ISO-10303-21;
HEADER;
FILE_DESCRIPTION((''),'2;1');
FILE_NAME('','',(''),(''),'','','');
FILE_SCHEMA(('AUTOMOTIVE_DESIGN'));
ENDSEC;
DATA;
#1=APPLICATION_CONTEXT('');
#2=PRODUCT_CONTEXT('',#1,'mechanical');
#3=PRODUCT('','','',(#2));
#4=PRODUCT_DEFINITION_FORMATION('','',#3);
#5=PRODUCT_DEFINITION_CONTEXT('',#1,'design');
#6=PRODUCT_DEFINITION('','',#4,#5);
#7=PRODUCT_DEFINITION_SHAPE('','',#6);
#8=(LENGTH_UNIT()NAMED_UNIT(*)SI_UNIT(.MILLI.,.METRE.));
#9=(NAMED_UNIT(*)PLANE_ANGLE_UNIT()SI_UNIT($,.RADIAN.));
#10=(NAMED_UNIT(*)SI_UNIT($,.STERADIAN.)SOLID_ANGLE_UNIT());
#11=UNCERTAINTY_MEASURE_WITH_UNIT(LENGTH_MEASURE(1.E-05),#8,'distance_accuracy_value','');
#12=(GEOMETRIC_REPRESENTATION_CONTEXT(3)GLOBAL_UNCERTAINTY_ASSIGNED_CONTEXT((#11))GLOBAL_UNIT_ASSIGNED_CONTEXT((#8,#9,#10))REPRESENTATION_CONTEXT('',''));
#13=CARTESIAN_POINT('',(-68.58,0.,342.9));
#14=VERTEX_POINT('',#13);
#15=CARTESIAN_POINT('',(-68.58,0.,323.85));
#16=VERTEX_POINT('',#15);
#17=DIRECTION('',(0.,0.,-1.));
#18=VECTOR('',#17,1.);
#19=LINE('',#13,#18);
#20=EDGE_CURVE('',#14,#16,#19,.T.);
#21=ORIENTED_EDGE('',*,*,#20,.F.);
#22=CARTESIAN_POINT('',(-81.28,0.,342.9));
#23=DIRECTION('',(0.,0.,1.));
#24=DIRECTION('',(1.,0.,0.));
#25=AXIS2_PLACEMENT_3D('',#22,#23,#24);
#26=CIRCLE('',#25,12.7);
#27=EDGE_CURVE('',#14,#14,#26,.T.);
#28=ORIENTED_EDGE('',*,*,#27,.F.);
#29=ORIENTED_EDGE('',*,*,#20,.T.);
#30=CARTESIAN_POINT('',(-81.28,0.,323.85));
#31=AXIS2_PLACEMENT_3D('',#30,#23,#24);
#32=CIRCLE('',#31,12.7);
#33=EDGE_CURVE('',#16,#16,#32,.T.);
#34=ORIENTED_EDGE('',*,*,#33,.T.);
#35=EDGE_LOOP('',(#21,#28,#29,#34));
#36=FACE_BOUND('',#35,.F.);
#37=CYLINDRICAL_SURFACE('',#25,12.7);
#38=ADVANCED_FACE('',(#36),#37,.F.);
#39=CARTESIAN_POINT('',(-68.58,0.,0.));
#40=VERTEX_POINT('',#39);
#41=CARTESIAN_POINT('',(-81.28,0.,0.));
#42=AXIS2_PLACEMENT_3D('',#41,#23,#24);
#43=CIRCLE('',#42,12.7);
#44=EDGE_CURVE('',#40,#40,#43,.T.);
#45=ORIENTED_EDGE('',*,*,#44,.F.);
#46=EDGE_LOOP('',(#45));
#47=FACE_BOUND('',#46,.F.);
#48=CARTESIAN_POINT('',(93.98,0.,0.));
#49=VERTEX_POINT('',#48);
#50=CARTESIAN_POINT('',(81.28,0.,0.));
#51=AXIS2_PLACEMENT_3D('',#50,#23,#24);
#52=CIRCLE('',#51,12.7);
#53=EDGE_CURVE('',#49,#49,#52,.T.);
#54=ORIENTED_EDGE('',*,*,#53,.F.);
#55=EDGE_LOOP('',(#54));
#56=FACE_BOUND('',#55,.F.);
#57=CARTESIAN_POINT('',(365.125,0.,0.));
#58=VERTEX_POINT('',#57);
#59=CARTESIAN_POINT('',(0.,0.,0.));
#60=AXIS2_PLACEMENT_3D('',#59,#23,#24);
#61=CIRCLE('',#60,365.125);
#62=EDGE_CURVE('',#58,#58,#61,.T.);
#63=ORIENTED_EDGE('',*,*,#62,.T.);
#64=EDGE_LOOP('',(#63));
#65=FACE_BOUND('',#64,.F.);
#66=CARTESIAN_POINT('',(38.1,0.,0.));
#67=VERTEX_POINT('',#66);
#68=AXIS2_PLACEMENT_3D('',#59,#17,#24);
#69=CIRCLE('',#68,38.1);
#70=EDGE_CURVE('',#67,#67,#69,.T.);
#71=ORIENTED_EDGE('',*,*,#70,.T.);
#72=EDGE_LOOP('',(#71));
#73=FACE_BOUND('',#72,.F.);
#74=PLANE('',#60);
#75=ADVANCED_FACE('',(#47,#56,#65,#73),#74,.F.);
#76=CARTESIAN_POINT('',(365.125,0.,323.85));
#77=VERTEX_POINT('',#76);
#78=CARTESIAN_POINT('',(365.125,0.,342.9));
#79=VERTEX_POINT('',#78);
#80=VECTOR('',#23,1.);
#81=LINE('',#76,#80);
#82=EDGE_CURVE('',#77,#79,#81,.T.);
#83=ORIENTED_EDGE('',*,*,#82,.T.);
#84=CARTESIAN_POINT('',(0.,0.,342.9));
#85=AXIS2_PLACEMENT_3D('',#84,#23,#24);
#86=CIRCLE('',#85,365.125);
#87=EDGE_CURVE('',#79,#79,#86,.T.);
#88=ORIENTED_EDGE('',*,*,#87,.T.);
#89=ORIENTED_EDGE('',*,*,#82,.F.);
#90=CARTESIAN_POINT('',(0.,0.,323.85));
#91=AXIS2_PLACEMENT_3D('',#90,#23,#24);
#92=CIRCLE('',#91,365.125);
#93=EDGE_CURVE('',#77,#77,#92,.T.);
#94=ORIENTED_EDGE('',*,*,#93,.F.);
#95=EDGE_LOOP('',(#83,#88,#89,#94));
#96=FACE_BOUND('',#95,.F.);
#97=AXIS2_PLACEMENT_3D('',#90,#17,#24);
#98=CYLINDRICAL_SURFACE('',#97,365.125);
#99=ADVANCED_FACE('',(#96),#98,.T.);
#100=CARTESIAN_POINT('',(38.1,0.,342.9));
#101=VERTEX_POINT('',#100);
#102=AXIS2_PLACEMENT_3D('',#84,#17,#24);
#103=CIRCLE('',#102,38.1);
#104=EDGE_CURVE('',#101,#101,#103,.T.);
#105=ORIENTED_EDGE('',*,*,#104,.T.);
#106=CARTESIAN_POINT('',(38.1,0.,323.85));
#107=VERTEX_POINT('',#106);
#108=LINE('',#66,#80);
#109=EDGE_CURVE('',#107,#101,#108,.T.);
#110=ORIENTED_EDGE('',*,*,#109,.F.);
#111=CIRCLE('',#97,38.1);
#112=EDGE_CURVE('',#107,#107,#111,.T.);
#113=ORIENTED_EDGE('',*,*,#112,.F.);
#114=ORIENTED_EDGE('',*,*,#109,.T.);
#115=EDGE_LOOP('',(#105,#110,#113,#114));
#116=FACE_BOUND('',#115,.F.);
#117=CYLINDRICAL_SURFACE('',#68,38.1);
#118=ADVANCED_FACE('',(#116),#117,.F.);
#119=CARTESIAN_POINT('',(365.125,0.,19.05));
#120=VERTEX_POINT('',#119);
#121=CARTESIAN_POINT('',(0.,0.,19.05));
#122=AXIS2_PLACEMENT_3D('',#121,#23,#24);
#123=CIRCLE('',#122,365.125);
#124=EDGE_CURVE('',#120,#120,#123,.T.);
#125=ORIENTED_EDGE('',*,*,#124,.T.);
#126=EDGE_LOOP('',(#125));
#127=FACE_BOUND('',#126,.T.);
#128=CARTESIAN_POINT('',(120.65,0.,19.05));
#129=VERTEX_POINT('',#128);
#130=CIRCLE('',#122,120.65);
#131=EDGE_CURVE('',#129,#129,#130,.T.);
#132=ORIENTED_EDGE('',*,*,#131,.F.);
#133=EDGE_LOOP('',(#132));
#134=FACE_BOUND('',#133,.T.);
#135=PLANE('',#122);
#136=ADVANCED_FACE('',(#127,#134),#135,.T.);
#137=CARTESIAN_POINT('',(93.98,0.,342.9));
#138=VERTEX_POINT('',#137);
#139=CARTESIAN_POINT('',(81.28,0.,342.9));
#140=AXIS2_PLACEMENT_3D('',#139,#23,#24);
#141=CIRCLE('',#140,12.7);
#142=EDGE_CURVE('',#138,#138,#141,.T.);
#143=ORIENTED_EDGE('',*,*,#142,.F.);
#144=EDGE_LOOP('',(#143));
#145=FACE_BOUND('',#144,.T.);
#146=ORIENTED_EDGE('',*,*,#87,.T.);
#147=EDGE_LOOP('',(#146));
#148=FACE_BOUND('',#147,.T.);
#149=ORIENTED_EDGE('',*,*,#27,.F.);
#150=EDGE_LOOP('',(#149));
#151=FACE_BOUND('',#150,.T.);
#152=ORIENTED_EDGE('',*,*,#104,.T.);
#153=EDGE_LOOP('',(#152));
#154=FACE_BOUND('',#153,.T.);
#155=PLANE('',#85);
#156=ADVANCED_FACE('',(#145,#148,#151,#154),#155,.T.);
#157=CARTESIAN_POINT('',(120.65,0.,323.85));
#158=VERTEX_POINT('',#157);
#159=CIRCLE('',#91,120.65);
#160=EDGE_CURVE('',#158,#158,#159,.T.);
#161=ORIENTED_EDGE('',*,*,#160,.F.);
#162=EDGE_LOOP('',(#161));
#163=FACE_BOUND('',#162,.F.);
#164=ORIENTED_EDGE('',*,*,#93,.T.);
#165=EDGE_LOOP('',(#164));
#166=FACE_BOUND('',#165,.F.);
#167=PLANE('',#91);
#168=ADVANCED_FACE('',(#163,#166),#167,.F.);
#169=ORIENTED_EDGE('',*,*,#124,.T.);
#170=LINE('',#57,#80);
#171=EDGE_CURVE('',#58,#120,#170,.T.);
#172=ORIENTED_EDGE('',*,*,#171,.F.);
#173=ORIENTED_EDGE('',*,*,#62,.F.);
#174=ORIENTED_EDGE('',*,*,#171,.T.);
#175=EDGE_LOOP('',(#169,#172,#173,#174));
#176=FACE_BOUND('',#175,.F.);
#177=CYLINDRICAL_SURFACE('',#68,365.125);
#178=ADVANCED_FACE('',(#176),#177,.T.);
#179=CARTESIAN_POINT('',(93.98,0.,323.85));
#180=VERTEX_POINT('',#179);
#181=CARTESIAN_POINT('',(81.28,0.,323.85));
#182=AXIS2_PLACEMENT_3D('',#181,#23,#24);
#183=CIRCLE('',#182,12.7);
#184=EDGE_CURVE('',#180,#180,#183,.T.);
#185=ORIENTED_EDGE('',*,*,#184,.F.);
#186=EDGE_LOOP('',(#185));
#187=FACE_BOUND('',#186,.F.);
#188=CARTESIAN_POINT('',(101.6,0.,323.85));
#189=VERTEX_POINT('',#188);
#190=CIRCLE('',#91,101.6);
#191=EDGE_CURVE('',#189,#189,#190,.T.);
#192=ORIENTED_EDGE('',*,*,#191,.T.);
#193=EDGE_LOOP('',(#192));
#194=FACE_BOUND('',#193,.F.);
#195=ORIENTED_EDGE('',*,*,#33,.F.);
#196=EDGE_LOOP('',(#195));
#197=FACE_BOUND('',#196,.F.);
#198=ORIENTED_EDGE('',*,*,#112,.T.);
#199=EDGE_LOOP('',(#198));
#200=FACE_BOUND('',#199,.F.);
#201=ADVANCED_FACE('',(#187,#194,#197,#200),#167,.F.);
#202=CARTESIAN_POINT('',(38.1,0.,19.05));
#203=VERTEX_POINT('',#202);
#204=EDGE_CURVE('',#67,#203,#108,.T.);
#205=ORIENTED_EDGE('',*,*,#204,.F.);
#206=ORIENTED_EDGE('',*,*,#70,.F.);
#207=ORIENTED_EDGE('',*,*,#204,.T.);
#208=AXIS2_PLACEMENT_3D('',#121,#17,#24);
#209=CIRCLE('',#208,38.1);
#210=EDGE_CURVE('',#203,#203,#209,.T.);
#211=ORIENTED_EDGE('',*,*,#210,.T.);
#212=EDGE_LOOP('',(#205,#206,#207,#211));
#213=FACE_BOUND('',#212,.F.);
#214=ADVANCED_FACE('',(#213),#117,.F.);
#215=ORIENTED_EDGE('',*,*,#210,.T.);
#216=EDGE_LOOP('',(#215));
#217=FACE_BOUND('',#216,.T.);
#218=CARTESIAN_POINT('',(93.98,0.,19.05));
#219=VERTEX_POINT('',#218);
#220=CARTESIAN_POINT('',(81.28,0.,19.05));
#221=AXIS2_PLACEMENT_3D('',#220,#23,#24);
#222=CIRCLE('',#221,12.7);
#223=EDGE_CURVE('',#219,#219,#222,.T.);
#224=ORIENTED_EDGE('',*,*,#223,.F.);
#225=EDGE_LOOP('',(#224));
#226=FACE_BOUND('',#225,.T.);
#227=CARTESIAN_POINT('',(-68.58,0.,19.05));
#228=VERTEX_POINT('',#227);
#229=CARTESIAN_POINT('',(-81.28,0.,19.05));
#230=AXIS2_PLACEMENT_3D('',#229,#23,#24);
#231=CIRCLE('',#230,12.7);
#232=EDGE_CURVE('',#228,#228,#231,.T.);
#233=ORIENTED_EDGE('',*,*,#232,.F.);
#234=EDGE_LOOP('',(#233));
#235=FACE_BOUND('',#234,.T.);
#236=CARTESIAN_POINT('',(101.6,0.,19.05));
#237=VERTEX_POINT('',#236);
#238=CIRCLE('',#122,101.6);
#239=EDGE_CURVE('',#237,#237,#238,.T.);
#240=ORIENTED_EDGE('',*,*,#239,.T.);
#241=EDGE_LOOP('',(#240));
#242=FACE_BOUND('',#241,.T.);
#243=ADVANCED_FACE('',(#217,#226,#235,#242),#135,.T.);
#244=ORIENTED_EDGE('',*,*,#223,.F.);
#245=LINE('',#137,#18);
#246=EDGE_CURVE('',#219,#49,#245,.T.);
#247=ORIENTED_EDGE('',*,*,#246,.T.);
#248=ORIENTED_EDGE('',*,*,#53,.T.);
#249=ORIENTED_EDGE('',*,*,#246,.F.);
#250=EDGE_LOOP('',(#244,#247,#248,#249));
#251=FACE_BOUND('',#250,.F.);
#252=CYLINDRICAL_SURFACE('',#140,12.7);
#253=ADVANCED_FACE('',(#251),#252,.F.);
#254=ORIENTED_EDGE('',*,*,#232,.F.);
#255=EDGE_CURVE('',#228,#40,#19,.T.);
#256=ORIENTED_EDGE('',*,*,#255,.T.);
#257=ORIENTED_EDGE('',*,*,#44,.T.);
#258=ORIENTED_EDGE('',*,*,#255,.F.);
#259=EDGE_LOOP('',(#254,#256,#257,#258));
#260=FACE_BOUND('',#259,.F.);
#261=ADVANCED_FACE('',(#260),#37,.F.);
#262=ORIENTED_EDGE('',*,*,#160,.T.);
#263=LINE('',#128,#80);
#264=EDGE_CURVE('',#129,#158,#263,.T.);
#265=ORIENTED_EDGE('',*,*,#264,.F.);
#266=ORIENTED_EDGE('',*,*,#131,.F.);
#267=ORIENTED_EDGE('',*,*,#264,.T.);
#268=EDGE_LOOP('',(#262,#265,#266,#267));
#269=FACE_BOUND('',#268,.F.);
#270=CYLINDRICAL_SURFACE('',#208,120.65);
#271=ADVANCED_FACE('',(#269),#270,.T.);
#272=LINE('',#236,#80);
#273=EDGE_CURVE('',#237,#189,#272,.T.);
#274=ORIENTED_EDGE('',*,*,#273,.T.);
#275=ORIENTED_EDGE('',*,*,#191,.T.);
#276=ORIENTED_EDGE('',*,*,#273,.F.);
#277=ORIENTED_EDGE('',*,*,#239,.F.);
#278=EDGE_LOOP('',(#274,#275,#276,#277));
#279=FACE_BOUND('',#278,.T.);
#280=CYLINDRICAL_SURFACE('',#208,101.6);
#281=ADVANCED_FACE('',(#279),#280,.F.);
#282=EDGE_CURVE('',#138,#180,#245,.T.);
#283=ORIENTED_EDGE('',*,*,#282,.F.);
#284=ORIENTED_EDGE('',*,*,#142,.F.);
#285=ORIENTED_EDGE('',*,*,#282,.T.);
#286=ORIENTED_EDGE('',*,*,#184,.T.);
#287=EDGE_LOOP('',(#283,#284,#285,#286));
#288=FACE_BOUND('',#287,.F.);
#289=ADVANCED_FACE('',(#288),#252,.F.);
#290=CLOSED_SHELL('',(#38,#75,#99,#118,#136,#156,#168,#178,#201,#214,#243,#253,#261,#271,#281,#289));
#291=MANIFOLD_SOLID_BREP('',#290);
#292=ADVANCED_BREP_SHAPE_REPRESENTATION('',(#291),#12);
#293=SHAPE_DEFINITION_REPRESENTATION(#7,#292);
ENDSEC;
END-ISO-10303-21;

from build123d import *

# Parameters (mm, degrees)
F0_R     = 365.125
F1_DEPTH = 19.05
F2_R     = 120.65
F2_R_2   = 101.6
F3_DEPTH = 304.8
F4_R     = 365.125
F4_R_2   = 120.65
F4_R_3   = 101.6
F5_DEPTH = 19.05
F6_R     = 38.1
F7_DEPTH = 355.6
F8_R     = 12.7
F9_DEPTH = 355.6


with BuildPart() as f1:
    # F0 (on Top) → F1 (new body)
    with BuildSketch(Plane.XY):
        Circle(F0_R)
    extrude(amount=F1_DEPTH)

    # F2 (on face) → F3 (join)
    with BuildSketch(Plane.XY.offset(19.05)):
        Circle(F2_R)
        Circle(F2_R_2, mode=Mode.SUBTRACT)
    extrude(amount=F3_DEPTH)

    # F4 (on face) → F5 (join)
    with BuildSketch(Plane.XY.offset(323.85)):
        Circle(F4_R)
        Circle(F4_R_2, mode=Mode.SUBTRACT)
        Circle(F4_R_2)
        Circle(F4_R_3, mode=Mode.SUBTRACT)
        Circle(F4_R_3)
    extrude(amount=F5_DEPTH)

    # F6 (on face) → F7 (cut)
    with BuildSketch(Plane(origin=(0, 0, 0), x_dir=(1, 0, 0), z_dir=(0, 0, -1))):
        Circle(F6_R)
    extrude(amount=-F7_DEPTH, mode=Mode.SUBTRACT)

    # F8 (on face) → F9 (cut)
    with BuildSketch(Plane.XY.offset(342.9)):
        with Locations((-81.28, 0)):
            Circle(F8_R)
        with Locations((81.28, 0)):
            Circle(F8_R)
    extrude(amount=-F9_DEPTH, mode=Mode.SUBTRACT)


solid = f1.part
